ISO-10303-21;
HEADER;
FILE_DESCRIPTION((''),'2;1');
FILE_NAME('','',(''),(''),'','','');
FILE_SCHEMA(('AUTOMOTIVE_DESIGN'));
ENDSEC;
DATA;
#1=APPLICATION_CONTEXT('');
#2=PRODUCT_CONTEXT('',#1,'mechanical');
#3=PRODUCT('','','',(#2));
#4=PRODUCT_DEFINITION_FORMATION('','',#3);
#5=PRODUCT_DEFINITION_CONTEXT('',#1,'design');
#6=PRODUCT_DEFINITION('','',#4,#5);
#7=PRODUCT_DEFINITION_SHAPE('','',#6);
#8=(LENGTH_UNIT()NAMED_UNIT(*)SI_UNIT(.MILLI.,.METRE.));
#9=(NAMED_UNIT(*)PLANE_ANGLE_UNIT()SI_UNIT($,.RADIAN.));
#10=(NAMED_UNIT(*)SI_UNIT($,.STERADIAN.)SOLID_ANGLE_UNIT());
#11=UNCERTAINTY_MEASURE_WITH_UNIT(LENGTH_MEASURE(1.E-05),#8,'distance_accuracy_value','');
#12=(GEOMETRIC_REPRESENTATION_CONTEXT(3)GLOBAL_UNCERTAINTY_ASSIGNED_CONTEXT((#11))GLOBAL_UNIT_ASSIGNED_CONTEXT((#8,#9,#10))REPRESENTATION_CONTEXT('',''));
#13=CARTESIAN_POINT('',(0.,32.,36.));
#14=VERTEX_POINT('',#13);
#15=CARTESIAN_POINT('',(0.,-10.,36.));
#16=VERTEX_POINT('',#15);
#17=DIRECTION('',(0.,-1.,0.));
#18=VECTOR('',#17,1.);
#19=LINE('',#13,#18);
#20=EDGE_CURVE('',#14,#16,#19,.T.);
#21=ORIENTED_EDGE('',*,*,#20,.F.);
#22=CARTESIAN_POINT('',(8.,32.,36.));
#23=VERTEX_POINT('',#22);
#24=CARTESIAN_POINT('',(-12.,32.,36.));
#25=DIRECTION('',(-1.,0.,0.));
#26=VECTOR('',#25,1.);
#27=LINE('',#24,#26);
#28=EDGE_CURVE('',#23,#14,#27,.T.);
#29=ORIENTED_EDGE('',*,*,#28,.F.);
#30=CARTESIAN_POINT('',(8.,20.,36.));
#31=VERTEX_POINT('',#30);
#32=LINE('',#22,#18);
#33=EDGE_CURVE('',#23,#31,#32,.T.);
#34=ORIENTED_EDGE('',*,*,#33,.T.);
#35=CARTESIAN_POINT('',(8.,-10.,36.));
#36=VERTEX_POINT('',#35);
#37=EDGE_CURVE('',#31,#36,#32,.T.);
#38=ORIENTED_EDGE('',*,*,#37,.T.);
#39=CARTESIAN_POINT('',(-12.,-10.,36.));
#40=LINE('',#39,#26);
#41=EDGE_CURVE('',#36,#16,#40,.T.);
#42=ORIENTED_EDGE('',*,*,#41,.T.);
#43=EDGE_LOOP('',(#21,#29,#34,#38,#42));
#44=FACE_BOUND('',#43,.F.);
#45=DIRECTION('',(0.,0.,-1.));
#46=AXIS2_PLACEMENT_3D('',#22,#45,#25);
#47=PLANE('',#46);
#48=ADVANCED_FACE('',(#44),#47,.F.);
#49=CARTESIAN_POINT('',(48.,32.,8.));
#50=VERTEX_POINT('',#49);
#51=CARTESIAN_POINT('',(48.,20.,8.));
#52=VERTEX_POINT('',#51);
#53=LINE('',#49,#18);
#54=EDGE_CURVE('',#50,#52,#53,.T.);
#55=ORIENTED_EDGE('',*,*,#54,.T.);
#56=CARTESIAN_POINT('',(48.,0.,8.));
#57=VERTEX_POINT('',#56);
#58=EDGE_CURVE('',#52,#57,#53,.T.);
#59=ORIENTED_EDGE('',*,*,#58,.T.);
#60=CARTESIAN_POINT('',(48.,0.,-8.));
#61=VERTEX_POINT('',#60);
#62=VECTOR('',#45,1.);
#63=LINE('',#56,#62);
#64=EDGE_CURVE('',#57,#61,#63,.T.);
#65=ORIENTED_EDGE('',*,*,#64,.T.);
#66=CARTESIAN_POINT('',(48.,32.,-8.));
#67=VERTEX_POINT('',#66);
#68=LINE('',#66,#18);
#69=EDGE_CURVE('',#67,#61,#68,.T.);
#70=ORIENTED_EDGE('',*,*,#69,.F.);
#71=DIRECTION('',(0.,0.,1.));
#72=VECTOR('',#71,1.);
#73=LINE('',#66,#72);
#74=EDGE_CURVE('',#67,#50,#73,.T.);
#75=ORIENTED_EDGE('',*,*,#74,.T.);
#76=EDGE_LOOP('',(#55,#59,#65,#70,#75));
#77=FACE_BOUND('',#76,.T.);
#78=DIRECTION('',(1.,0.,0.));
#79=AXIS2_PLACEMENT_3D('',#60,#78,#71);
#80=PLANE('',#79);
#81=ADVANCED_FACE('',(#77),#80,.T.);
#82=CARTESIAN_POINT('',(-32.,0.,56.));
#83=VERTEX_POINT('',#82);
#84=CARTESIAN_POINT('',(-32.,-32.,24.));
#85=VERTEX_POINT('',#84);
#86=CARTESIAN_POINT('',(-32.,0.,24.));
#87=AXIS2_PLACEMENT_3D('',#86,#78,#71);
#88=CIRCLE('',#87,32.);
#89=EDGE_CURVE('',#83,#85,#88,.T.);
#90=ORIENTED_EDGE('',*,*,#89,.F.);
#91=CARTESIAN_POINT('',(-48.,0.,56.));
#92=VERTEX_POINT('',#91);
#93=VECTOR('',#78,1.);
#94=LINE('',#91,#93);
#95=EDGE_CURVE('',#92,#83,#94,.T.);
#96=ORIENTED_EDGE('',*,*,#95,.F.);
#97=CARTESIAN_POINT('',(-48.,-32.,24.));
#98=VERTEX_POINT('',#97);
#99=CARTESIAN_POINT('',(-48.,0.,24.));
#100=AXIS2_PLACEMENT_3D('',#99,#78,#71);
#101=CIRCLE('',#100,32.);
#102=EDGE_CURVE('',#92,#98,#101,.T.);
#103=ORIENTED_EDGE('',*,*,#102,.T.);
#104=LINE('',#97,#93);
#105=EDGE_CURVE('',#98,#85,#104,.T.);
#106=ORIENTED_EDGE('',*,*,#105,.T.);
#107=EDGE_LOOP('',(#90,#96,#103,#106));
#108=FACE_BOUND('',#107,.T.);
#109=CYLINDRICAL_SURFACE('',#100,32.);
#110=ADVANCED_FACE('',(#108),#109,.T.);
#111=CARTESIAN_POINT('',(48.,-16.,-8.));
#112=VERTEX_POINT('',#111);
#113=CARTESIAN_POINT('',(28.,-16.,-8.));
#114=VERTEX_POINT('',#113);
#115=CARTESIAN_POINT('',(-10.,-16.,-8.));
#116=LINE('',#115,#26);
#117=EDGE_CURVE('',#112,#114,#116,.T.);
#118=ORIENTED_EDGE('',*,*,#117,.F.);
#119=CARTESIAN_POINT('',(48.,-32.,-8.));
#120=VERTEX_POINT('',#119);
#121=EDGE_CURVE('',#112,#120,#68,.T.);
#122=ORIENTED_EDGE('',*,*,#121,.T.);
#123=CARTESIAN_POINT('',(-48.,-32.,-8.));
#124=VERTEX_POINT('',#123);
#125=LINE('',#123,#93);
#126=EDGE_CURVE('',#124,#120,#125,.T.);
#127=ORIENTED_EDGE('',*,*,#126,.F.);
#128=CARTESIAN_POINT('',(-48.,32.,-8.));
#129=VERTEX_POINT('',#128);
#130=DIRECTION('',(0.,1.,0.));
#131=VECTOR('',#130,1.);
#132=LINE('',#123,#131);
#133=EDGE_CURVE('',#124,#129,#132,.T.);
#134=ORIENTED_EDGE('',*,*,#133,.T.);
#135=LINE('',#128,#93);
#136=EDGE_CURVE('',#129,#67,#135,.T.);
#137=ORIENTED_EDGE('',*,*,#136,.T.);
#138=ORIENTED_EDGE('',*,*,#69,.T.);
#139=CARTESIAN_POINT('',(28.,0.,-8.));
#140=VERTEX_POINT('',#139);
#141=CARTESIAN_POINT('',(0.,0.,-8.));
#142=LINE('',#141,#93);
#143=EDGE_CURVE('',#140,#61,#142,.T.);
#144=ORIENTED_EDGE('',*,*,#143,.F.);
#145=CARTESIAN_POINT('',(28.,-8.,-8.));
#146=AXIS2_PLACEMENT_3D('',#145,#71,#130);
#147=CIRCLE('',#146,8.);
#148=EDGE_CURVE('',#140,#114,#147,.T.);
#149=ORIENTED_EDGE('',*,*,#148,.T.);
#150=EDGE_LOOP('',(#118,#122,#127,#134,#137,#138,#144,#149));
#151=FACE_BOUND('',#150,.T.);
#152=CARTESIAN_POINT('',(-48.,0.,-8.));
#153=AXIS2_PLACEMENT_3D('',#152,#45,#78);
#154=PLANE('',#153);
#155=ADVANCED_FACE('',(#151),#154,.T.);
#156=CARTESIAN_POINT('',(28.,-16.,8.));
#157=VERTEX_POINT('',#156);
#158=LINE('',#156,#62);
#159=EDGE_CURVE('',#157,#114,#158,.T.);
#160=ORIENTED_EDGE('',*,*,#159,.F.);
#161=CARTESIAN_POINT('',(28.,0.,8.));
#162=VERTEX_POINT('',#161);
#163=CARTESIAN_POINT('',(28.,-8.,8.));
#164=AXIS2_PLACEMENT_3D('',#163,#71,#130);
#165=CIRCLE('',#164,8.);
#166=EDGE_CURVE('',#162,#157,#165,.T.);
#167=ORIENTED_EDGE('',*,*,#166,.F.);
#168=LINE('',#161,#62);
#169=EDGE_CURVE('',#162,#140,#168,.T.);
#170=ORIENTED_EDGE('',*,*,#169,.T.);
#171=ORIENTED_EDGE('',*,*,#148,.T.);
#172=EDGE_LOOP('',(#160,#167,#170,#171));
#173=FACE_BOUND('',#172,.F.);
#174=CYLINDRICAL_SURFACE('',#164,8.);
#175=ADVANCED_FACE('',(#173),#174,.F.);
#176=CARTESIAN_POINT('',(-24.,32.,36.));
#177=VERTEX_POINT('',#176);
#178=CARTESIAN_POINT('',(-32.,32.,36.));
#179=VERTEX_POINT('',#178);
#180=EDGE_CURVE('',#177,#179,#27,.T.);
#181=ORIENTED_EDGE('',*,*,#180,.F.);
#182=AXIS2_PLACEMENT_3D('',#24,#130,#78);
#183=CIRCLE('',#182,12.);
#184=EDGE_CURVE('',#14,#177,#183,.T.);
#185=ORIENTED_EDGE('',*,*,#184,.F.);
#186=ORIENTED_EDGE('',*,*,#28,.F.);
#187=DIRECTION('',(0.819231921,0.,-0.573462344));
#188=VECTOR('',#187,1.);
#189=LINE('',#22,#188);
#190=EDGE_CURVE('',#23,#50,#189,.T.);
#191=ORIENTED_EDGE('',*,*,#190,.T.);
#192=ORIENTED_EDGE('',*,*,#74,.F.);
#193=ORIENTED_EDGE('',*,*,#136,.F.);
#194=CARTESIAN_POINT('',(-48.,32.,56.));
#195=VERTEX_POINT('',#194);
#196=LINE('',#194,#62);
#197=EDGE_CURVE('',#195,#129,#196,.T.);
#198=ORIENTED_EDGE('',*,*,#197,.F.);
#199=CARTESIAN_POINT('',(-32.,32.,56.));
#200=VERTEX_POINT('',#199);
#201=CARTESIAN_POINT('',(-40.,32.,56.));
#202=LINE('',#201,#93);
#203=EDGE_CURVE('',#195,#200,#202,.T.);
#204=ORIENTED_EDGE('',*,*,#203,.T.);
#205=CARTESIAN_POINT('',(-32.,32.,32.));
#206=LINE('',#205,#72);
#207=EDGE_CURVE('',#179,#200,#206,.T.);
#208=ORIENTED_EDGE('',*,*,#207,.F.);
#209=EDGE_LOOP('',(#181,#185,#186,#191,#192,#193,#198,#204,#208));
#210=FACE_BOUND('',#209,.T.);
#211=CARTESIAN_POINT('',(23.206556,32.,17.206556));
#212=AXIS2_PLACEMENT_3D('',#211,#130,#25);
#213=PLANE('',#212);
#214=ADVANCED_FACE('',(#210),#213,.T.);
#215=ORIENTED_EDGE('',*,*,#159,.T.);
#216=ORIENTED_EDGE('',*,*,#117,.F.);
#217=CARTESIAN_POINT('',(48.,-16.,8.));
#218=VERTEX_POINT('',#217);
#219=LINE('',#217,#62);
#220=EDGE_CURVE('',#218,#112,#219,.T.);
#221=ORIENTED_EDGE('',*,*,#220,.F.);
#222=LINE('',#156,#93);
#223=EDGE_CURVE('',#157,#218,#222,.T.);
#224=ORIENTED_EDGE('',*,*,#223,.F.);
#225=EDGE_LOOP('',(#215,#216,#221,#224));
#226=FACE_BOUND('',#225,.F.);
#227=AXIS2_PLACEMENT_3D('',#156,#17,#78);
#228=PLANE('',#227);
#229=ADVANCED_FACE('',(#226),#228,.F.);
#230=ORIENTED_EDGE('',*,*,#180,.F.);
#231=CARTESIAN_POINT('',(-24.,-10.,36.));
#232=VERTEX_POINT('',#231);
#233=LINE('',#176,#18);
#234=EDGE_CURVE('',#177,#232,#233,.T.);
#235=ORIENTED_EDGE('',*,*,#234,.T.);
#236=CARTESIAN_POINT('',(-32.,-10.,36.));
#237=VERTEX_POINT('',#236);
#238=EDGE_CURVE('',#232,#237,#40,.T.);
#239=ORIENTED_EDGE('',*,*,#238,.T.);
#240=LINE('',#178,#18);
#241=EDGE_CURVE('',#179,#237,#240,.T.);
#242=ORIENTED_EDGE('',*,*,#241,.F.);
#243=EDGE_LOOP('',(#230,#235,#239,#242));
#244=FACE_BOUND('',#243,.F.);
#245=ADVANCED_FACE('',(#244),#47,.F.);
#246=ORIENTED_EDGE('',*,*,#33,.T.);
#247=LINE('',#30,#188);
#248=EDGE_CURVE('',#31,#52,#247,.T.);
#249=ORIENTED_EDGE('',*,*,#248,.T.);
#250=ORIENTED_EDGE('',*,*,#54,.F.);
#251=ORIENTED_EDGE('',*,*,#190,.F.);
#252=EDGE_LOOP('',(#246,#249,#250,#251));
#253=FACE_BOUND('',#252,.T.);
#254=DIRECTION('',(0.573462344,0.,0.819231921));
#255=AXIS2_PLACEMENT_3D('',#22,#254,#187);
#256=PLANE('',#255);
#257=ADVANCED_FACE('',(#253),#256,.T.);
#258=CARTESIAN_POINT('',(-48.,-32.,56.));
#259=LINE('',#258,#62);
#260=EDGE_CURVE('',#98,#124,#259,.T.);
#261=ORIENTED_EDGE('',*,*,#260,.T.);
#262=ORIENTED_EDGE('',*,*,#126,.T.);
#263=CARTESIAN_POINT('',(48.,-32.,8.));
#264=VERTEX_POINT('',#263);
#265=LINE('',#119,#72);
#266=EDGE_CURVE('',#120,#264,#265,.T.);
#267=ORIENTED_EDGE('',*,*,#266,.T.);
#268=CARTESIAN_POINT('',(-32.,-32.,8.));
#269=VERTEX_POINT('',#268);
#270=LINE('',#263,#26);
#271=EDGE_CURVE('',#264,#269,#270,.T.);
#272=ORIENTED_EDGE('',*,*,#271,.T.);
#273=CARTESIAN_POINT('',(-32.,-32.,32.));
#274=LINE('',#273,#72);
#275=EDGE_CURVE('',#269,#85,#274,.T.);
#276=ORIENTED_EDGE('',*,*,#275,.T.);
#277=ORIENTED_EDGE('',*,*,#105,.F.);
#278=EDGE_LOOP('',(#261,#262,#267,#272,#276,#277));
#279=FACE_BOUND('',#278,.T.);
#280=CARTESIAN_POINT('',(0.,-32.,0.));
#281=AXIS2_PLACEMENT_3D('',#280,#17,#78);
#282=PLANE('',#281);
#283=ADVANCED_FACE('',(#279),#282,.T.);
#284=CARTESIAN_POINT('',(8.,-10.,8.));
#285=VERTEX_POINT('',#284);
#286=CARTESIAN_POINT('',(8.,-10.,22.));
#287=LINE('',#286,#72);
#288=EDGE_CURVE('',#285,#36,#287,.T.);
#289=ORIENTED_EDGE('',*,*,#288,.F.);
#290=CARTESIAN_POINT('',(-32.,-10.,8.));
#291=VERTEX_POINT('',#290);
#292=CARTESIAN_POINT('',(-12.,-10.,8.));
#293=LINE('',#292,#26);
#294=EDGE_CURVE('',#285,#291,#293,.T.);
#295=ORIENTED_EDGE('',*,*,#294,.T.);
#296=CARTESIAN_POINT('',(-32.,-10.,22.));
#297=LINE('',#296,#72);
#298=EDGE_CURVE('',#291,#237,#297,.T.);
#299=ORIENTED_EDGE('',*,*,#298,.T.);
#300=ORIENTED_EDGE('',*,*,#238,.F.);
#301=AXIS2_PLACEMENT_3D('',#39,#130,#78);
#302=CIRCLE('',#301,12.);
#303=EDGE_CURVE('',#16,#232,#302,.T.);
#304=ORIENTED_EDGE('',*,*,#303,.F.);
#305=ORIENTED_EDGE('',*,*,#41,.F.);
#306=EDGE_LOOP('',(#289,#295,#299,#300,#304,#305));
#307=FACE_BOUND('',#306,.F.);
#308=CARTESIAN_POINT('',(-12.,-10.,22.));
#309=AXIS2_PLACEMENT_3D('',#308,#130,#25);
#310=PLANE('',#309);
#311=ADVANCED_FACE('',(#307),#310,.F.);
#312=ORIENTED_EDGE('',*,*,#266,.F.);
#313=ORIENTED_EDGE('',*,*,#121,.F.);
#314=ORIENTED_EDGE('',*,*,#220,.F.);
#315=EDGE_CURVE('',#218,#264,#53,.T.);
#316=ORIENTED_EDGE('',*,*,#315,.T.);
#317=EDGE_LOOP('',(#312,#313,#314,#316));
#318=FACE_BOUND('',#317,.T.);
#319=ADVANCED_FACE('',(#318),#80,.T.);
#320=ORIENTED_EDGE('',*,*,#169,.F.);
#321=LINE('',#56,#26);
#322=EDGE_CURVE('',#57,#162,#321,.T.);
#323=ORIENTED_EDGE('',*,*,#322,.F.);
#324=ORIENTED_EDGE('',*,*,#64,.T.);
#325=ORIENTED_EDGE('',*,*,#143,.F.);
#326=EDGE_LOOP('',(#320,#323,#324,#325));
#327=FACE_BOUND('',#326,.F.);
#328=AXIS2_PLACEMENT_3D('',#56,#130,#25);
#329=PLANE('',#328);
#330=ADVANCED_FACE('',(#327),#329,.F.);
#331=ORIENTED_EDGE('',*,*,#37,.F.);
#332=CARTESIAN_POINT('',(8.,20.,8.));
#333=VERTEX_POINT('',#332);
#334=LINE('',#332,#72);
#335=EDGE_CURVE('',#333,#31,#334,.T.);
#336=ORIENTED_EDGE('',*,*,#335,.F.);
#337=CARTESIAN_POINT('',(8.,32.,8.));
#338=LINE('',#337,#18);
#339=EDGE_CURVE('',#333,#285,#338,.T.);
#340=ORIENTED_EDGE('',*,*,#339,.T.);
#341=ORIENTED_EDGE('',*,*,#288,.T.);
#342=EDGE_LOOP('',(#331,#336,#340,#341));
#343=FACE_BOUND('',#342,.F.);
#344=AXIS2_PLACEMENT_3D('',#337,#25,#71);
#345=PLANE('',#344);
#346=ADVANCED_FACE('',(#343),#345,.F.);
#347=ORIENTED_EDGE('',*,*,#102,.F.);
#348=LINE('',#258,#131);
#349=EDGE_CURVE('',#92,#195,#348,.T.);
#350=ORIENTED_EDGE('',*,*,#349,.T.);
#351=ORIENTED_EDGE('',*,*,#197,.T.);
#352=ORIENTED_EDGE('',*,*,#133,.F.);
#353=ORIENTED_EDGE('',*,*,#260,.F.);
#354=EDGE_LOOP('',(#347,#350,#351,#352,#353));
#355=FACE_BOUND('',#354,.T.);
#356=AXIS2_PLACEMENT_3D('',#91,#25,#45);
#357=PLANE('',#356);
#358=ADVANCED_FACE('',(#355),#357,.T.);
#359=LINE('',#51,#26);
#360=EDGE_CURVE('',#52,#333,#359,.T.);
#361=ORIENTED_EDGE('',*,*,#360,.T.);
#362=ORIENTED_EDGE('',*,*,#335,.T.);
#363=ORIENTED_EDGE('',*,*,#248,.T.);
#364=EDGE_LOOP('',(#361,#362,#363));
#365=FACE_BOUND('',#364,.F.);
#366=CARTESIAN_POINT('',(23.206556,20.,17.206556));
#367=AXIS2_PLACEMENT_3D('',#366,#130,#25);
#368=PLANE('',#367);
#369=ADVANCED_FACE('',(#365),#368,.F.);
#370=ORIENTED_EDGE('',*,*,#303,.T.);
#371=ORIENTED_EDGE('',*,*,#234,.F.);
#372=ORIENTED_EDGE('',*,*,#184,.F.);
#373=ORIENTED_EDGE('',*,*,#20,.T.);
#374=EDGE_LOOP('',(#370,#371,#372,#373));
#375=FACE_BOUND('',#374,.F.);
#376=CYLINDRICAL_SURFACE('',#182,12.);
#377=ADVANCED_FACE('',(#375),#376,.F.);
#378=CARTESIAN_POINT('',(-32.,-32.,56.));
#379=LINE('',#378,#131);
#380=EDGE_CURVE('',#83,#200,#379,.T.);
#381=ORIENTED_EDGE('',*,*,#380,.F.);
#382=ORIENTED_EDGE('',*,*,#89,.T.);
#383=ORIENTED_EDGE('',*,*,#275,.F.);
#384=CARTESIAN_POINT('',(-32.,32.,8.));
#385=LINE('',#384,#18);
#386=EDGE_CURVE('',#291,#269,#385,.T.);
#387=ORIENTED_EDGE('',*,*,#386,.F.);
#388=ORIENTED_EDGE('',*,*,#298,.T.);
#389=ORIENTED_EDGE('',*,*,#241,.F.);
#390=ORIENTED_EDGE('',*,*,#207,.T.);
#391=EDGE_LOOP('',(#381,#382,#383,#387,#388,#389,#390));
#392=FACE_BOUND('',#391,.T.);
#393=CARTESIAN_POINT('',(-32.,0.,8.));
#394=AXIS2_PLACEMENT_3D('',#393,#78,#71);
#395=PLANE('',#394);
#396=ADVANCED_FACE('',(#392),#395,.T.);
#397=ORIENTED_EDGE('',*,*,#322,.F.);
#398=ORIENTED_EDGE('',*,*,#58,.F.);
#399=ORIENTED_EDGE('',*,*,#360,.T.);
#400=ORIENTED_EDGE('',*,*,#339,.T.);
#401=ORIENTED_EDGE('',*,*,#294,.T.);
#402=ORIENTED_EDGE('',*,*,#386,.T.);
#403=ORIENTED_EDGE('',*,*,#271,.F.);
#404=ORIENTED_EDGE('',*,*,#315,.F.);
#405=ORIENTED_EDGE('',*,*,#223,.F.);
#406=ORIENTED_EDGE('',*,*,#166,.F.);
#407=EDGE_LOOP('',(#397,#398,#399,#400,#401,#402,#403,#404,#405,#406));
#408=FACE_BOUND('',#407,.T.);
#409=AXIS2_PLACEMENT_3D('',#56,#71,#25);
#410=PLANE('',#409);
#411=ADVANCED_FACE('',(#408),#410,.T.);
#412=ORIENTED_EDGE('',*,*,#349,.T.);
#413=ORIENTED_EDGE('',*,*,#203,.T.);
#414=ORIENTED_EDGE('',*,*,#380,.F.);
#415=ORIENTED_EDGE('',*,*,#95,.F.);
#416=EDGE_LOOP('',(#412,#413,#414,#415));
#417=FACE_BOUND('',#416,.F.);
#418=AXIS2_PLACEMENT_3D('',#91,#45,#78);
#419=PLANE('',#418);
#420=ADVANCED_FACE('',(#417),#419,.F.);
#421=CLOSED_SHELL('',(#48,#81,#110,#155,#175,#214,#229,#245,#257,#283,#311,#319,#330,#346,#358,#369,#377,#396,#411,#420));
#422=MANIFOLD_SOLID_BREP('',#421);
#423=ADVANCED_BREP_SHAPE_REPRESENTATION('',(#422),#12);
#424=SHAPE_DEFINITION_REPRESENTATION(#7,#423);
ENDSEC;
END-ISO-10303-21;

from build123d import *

# Parameters (mm, degrees)
F0_W      = 16
F0_H      = 48
F1_DEPTH  = 32
F2_R      = 32
F3_W      = 40
F3_H      = 28
F4_DEPTH  = 42
F6_DEPTH  = 64.001
F8_DEPTH  = 12
F10_DEPTH = 25


with BuildPart() as f1:
    # F0 (on Front) → F1 (new body, symmetric)
    with BuildSketch(Plane.XZ):
        Polygon((-48, -8), (48, -8), (48, 8), (-32, 8), (-48, 8), align=None)
        with Locations((-40, 32)):
            Rectangle(F0_W, F0_H)
    extrude(amount=F1_DEPTH, both=True)

    # F2
    f2_edges = [f1.edges().sort_by_distance(p)[0] for p in [
        (-40, -32, 56),
    ]]
    fillet(f2_edges, radius=F2_R)

    # F3 (on face) → F4 (join)
    with BuildSketch(Plane(origin=(0, 32, 0), x_dir=(-1, 0, 0), z_dir=(0, 1, 0))):
        with Locations((12, 22)):
            Rectangle(F3_W, F3_H)
    extrude(amount=-F4_DEPTH)

    # F5 (on face) → F6 (cut, through all)
    with BuildSketch(Plane(origin=(0, 32, 0), x_dir=(-1, 0, 0), z_dir=(0, 1, 0))):
        with BuildLine():
            Line((24, 36), (0, 36))
            ThreePointArc((0, 36), (12, 24), (24, 36))
        make_face()
    extrude(amount=-F6_DEPTH, mode=Mode.SUBTRACT)

    # F7 (on face) → F8 (join)
    with BuildSketch(Plane(origin=(0, 32, 0), x_dir=(-1, 0, 0), z_dir=(0, 1, 0))):
        Polygon((-8, 8), (-8, 36), (-48, 8), align=None)
    extrude(amount=-F8_DEPTH)

    # F9 (on face) → F10 (cut)
    with BuildSketch(Plane.XY.offset(8)):
        with BuildLine():
            Line((48, -16), (48, 0))
            Line((48, 0), (28, 0))
            ThreePointArc((28, 0), (33.6568542495, -2.3431457505), (36, -8))
            ThreePointArc((36, -8), (33.6568542495, -13.6568542495), (28, -16))
            Line((28, -16), (48, -16))
        make_face()
        with BuildLine():
            ThreePointArc((36, -8), (33.6568542495, -2.3431457505), (28, 0))
            ThreePointArc((28, 0), (20, -8), (28, -16))
            ThreePointArc((28, -16), (33.6568542495, -13.6568542495), (36, -8))
        make_face()
    extrude(amount=-F10_DEPTH, mode=Mode.SUBTRACT)


solid = f1.part
